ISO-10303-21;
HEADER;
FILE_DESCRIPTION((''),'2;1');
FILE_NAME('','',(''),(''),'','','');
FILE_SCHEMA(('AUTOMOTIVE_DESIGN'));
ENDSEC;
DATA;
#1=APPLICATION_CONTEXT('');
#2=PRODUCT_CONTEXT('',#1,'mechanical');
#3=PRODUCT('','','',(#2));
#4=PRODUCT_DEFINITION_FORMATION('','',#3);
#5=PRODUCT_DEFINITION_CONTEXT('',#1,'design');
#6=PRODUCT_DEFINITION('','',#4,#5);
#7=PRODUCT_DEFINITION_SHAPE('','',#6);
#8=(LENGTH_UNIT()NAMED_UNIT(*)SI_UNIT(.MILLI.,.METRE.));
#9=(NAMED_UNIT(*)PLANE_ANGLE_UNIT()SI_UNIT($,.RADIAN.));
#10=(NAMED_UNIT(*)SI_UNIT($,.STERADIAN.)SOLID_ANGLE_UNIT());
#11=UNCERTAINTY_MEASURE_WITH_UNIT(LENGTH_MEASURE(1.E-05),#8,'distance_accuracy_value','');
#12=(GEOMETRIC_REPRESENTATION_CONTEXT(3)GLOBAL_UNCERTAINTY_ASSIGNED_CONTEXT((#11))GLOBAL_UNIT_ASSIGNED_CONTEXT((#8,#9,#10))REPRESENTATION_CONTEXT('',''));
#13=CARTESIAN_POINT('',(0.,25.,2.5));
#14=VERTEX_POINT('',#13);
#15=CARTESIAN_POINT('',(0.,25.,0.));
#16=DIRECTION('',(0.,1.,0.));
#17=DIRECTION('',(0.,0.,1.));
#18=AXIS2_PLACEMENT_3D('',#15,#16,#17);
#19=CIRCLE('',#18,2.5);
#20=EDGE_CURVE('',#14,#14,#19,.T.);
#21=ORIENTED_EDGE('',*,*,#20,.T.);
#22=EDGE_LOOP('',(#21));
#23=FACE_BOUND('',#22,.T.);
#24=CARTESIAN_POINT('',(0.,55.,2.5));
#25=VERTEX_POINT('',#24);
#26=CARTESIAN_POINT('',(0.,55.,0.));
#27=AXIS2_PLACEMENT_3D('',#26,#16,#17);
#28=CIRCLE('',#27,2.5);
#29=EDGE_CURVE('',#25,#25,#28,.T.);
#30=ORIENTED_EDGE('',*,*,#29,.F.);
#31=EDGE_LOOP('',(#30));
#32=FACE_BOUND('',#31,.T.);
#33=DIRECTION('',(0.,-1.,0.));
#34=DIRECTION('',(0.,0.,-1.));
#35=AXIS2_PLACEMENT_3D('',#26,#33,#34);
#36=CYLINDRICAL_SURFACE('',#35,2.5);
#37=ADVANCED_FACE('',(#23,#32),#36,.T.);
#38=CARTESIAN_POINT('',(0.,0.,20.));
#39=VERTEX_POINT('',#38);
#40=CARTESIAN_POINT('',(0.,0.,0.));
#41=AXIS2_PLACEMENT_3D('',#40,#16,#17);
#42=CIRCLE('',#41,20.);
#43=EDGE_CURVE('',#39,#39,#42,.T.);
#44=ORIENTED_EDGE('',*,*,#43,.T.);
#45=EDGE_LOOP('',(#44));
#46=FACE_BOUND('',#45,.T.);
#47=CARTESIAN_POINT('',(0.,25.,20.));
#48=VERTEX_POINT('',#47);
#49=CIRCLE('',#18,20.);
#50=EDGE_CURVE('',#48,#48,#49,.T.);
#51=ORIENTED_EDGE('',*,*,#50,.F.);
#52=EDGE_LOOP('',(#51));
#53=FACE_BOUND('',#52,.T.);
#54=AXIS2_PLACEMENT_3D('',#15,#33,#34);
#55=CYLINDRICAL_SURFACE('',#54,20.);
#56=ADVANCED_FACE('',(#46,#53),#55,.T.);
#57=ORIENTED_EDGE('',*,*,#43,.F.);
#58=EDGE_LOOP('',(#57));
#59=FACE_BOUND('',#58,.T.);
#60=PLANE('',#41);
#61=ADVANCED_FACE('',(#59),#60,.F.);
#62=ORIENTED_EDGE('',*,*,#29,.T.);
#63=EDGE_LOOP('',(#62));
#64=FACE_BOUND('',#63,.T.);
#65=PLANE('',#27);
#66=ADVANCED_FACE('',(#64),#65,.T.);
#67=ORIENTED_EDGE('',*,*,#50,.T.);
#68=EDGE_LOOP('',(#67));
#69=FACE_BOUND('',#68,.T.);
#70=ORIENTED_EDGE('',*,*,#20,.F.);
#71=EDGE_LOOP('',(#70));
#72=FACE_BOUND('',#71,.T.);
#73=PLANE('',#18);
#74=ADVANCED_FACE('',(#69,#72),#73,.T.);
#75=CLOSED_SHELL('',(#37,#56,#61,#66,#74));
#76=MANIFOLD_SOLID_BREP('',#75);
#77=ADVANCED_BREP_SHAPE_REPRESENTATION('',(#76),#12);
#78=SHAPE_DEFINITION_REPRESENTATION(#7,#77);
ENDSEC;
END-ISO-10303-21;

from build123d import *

# Parameters (mm, degrees)
SKETCH_1_R      = 20
EXTRUDE_1_DEPTH = 25
SKETCH_2_R      = 2.5
EXTRUDE_2_DEPTH = 30


with BuildPart() as part:
    # 草图1 → 凸台-拉伸1 (new body)
    with BuildSketch(Plane(origin=(0, 0, 0), x_dir=(1, 0, 0), z_dir=(0, 1, 0))):
        with Locations(Location((0, 0, 0), (0, 0, 270))):
            Circle(SKETCH_1_R)
    extrude(amount=EXTRUDE_1_DEPTH)

    # 草图2 → 凸台-拉伸2 (add)
    with BuildSketch(Plane(origin=(0, 25, 0), x_dir=(1, 0, 0), z_dir=(0, 1, 0))):
        with Locations(Location((0, 0, 0), (0, 0, 270))):
            Circle(SKETCH_2_R)
    extrude(amount=EXTRUDE_2_DEPTH)


solid = part.part
